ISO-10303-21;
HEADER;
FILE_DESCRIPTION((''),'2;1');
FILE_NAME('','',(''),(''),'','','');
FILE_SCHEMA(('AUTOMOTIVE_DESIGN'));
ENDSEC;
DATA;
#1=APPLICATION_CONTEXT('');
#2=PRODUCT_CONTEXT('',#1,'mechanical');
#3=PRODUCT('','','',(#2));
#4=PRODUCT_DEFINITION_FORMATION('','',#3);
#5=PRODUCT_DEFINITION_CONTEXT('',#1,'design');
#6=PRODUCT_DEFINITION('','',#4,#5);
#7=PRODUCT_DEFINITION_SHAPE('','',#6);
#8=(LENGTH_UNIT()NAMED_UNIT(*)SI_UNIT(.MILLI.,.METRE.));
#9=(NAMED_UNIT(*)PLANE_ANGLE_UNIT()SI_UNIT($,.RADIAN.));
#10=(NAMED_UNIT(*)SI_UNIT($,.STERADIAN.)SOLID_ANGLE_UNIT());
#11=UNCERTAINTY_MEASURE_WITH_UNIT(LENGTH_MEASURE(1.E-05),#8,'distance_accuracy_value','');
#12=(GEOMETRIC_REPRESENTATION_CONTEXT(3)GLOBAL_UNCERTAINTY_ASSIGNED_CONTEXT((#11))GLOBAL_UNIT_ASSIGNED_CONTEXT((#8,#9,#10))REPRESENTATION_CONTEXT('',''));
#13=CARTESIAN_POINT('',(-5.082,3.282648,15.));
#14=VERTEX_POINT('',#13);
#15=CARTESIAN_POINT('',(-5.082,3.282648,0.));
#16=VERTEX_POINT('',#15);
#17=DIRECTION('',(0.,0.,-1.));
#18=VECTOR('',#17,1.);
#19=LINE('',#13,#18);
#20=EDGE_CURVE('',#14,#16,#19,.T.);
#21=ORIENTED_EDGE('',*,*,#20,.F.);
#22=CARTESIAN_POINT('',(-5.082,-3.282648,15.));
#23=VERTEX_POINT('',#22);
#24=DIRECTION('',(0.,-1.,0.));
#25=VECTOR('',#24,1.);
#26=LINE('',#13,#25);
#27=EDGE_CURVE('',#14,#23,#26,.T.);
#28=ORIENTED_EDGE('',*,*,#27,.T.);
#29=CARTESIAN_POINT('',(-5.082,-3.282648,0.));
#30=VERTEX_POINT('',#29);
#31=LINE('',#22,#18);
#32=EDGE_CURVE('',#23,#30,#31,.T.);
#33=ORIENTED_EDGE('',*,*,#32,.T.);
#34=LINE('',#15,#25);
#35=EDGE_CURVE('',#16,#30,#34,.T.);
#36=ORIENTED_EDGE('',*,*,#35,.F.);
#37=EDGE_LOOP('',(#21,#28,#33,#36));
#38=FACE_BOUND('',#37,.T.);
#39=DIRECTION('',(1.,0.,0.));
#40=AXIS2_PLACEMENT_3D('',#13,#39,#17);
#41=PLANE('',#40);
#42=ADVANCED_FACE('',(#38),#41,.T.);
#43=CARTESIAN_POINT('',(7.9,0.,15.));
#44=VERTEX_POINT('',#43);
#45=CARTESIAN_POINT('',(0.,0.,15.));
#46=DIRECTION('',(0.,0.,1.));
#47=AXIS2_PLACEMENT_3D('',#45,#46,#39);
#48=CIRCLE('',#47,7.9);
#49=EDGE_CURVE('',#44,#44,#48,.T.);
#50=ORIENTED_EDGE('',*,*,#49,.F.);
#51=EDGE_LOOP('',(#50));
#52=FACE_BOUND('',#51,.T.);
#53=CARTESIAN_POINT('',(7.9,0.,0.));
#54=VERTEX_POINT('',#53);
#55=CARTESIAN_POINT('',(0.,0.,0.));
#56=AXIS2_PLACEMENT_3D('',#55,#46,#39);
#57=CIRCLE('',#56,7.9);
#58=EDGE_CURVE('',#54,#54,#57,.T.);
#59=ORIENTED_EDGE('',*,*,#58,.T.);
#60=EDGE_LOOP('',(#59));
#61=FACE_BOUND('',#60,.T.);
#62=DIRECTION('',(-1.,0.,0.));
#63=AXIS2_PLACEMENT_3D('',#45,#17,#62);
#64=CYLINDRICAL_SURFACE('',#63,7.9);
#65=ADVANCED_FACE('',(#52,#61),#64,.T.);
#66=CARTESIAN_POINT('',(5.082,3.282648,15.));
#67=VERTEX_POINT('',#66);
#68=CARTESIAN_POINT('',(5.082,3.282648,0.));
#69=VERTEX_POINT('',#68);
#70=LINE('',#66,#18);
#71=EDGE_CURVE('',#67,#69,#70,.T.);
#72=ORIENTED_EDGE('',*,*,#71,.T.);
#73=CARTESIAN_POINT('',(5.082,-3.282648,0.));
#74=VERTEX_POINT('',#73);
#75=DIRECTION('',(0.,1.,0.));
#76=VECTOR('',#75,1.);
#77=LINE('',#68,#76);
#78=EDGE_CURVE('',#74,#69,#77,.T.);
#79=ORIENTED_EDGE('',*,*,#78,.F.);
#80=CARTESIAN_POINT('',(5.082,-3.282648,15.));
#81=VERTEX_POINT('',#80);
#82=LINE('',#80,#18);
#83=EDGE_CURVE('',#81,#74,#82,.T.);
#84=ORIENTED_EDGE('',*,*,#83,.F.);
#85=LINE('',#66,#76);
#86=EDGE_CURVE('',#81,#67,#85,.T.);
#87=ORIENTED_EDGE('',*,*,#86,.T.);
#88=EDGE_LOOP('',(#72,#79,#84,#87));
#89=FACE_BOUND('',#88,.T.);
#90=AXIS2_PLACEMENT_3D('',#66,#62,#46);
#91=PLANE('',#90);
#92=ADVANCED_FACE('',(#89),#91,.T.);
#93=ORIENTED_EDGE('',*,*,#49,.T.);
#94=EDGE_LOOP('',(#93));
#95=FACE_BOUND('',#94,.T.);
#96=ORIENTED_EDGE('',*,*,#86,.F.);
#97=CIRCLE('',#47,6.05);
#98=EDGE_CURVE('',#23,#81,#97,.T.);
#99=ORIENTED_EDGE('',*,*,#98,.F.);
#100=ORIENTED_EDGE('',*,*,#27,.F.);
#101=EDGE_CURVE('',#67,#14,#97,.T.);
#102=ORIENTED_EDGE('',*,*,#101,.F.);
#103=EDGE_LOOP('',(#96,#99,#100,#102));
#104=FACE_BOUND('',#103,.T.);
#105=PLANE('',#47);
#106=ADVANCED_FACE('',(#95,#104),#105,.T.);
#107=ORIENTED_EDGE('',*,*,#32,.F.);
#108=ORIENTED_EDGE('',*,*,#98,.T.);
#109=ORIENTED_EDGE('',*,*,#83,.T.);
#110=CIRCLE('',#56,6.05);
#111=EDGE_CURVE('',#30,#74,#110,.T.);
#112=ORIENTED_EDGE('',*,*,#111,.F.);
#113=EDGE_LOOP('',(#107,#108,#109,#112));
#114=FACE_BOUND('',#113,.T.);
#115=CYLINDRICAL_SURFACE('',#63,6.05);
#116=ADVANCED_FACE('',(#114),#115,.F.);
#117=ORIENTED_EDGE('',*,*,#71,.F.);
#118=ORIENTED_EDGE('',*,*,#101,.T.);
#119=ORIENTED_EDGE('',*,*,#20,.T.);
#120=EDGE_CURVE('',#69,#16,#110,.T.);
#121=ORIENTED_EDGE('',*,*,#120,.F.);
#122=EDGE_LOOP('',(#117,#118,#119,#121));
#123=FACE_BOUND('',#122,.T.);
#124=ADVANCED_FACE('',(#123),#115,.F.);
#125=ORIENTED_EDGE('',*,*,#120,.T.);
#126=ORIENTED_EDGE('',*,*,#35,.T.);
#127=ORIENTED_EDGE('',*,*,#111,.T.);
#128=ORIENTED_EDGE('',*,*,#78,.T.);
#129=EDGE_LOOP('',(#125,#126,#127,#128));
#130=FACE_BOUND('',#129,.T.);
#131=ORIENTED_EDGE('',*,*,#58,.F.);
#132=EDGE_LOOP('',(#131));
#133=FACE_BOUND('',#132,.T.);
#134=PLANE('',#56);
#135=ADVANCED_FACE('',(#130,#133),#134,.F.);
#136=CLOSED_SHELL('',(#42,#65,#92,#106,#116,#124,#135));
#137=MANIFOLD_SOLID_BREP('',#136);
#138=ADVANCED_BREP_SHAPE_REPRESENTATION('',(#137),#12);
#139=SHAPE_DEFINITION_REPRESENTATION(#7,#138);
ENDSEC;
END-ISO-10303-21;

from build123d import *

# Parameters (mm, degrees)
SKETCH_1_R      = 7.9
EXTRUDE_1_DEPTH = 15


with BuildPart() as part:
    # 草图1 → 凸台-拉伸1 (new body)
    with BuildSketch(Plane.XY):
        Circle(SKETCH_1_R)
        with BuildLine():
            Line((-5.082, 3.282647712), (-5.082, -3.282647712))
            ThreePointArc((-5.082, -3.282647712), (0, -6.05), (5.082, -3.282647712))
            Line((5.082, -3.282647712), (5.082, 3.282647712))
            ThreePointArc((5.082, 3.282647712), (0, 6.05), (-5.082, 3.282647712))
        make_face(mode=Mode.SUBTRACT)
    extrude(amount=EXTRUDE_1_DEPTH)


solid = part.part
